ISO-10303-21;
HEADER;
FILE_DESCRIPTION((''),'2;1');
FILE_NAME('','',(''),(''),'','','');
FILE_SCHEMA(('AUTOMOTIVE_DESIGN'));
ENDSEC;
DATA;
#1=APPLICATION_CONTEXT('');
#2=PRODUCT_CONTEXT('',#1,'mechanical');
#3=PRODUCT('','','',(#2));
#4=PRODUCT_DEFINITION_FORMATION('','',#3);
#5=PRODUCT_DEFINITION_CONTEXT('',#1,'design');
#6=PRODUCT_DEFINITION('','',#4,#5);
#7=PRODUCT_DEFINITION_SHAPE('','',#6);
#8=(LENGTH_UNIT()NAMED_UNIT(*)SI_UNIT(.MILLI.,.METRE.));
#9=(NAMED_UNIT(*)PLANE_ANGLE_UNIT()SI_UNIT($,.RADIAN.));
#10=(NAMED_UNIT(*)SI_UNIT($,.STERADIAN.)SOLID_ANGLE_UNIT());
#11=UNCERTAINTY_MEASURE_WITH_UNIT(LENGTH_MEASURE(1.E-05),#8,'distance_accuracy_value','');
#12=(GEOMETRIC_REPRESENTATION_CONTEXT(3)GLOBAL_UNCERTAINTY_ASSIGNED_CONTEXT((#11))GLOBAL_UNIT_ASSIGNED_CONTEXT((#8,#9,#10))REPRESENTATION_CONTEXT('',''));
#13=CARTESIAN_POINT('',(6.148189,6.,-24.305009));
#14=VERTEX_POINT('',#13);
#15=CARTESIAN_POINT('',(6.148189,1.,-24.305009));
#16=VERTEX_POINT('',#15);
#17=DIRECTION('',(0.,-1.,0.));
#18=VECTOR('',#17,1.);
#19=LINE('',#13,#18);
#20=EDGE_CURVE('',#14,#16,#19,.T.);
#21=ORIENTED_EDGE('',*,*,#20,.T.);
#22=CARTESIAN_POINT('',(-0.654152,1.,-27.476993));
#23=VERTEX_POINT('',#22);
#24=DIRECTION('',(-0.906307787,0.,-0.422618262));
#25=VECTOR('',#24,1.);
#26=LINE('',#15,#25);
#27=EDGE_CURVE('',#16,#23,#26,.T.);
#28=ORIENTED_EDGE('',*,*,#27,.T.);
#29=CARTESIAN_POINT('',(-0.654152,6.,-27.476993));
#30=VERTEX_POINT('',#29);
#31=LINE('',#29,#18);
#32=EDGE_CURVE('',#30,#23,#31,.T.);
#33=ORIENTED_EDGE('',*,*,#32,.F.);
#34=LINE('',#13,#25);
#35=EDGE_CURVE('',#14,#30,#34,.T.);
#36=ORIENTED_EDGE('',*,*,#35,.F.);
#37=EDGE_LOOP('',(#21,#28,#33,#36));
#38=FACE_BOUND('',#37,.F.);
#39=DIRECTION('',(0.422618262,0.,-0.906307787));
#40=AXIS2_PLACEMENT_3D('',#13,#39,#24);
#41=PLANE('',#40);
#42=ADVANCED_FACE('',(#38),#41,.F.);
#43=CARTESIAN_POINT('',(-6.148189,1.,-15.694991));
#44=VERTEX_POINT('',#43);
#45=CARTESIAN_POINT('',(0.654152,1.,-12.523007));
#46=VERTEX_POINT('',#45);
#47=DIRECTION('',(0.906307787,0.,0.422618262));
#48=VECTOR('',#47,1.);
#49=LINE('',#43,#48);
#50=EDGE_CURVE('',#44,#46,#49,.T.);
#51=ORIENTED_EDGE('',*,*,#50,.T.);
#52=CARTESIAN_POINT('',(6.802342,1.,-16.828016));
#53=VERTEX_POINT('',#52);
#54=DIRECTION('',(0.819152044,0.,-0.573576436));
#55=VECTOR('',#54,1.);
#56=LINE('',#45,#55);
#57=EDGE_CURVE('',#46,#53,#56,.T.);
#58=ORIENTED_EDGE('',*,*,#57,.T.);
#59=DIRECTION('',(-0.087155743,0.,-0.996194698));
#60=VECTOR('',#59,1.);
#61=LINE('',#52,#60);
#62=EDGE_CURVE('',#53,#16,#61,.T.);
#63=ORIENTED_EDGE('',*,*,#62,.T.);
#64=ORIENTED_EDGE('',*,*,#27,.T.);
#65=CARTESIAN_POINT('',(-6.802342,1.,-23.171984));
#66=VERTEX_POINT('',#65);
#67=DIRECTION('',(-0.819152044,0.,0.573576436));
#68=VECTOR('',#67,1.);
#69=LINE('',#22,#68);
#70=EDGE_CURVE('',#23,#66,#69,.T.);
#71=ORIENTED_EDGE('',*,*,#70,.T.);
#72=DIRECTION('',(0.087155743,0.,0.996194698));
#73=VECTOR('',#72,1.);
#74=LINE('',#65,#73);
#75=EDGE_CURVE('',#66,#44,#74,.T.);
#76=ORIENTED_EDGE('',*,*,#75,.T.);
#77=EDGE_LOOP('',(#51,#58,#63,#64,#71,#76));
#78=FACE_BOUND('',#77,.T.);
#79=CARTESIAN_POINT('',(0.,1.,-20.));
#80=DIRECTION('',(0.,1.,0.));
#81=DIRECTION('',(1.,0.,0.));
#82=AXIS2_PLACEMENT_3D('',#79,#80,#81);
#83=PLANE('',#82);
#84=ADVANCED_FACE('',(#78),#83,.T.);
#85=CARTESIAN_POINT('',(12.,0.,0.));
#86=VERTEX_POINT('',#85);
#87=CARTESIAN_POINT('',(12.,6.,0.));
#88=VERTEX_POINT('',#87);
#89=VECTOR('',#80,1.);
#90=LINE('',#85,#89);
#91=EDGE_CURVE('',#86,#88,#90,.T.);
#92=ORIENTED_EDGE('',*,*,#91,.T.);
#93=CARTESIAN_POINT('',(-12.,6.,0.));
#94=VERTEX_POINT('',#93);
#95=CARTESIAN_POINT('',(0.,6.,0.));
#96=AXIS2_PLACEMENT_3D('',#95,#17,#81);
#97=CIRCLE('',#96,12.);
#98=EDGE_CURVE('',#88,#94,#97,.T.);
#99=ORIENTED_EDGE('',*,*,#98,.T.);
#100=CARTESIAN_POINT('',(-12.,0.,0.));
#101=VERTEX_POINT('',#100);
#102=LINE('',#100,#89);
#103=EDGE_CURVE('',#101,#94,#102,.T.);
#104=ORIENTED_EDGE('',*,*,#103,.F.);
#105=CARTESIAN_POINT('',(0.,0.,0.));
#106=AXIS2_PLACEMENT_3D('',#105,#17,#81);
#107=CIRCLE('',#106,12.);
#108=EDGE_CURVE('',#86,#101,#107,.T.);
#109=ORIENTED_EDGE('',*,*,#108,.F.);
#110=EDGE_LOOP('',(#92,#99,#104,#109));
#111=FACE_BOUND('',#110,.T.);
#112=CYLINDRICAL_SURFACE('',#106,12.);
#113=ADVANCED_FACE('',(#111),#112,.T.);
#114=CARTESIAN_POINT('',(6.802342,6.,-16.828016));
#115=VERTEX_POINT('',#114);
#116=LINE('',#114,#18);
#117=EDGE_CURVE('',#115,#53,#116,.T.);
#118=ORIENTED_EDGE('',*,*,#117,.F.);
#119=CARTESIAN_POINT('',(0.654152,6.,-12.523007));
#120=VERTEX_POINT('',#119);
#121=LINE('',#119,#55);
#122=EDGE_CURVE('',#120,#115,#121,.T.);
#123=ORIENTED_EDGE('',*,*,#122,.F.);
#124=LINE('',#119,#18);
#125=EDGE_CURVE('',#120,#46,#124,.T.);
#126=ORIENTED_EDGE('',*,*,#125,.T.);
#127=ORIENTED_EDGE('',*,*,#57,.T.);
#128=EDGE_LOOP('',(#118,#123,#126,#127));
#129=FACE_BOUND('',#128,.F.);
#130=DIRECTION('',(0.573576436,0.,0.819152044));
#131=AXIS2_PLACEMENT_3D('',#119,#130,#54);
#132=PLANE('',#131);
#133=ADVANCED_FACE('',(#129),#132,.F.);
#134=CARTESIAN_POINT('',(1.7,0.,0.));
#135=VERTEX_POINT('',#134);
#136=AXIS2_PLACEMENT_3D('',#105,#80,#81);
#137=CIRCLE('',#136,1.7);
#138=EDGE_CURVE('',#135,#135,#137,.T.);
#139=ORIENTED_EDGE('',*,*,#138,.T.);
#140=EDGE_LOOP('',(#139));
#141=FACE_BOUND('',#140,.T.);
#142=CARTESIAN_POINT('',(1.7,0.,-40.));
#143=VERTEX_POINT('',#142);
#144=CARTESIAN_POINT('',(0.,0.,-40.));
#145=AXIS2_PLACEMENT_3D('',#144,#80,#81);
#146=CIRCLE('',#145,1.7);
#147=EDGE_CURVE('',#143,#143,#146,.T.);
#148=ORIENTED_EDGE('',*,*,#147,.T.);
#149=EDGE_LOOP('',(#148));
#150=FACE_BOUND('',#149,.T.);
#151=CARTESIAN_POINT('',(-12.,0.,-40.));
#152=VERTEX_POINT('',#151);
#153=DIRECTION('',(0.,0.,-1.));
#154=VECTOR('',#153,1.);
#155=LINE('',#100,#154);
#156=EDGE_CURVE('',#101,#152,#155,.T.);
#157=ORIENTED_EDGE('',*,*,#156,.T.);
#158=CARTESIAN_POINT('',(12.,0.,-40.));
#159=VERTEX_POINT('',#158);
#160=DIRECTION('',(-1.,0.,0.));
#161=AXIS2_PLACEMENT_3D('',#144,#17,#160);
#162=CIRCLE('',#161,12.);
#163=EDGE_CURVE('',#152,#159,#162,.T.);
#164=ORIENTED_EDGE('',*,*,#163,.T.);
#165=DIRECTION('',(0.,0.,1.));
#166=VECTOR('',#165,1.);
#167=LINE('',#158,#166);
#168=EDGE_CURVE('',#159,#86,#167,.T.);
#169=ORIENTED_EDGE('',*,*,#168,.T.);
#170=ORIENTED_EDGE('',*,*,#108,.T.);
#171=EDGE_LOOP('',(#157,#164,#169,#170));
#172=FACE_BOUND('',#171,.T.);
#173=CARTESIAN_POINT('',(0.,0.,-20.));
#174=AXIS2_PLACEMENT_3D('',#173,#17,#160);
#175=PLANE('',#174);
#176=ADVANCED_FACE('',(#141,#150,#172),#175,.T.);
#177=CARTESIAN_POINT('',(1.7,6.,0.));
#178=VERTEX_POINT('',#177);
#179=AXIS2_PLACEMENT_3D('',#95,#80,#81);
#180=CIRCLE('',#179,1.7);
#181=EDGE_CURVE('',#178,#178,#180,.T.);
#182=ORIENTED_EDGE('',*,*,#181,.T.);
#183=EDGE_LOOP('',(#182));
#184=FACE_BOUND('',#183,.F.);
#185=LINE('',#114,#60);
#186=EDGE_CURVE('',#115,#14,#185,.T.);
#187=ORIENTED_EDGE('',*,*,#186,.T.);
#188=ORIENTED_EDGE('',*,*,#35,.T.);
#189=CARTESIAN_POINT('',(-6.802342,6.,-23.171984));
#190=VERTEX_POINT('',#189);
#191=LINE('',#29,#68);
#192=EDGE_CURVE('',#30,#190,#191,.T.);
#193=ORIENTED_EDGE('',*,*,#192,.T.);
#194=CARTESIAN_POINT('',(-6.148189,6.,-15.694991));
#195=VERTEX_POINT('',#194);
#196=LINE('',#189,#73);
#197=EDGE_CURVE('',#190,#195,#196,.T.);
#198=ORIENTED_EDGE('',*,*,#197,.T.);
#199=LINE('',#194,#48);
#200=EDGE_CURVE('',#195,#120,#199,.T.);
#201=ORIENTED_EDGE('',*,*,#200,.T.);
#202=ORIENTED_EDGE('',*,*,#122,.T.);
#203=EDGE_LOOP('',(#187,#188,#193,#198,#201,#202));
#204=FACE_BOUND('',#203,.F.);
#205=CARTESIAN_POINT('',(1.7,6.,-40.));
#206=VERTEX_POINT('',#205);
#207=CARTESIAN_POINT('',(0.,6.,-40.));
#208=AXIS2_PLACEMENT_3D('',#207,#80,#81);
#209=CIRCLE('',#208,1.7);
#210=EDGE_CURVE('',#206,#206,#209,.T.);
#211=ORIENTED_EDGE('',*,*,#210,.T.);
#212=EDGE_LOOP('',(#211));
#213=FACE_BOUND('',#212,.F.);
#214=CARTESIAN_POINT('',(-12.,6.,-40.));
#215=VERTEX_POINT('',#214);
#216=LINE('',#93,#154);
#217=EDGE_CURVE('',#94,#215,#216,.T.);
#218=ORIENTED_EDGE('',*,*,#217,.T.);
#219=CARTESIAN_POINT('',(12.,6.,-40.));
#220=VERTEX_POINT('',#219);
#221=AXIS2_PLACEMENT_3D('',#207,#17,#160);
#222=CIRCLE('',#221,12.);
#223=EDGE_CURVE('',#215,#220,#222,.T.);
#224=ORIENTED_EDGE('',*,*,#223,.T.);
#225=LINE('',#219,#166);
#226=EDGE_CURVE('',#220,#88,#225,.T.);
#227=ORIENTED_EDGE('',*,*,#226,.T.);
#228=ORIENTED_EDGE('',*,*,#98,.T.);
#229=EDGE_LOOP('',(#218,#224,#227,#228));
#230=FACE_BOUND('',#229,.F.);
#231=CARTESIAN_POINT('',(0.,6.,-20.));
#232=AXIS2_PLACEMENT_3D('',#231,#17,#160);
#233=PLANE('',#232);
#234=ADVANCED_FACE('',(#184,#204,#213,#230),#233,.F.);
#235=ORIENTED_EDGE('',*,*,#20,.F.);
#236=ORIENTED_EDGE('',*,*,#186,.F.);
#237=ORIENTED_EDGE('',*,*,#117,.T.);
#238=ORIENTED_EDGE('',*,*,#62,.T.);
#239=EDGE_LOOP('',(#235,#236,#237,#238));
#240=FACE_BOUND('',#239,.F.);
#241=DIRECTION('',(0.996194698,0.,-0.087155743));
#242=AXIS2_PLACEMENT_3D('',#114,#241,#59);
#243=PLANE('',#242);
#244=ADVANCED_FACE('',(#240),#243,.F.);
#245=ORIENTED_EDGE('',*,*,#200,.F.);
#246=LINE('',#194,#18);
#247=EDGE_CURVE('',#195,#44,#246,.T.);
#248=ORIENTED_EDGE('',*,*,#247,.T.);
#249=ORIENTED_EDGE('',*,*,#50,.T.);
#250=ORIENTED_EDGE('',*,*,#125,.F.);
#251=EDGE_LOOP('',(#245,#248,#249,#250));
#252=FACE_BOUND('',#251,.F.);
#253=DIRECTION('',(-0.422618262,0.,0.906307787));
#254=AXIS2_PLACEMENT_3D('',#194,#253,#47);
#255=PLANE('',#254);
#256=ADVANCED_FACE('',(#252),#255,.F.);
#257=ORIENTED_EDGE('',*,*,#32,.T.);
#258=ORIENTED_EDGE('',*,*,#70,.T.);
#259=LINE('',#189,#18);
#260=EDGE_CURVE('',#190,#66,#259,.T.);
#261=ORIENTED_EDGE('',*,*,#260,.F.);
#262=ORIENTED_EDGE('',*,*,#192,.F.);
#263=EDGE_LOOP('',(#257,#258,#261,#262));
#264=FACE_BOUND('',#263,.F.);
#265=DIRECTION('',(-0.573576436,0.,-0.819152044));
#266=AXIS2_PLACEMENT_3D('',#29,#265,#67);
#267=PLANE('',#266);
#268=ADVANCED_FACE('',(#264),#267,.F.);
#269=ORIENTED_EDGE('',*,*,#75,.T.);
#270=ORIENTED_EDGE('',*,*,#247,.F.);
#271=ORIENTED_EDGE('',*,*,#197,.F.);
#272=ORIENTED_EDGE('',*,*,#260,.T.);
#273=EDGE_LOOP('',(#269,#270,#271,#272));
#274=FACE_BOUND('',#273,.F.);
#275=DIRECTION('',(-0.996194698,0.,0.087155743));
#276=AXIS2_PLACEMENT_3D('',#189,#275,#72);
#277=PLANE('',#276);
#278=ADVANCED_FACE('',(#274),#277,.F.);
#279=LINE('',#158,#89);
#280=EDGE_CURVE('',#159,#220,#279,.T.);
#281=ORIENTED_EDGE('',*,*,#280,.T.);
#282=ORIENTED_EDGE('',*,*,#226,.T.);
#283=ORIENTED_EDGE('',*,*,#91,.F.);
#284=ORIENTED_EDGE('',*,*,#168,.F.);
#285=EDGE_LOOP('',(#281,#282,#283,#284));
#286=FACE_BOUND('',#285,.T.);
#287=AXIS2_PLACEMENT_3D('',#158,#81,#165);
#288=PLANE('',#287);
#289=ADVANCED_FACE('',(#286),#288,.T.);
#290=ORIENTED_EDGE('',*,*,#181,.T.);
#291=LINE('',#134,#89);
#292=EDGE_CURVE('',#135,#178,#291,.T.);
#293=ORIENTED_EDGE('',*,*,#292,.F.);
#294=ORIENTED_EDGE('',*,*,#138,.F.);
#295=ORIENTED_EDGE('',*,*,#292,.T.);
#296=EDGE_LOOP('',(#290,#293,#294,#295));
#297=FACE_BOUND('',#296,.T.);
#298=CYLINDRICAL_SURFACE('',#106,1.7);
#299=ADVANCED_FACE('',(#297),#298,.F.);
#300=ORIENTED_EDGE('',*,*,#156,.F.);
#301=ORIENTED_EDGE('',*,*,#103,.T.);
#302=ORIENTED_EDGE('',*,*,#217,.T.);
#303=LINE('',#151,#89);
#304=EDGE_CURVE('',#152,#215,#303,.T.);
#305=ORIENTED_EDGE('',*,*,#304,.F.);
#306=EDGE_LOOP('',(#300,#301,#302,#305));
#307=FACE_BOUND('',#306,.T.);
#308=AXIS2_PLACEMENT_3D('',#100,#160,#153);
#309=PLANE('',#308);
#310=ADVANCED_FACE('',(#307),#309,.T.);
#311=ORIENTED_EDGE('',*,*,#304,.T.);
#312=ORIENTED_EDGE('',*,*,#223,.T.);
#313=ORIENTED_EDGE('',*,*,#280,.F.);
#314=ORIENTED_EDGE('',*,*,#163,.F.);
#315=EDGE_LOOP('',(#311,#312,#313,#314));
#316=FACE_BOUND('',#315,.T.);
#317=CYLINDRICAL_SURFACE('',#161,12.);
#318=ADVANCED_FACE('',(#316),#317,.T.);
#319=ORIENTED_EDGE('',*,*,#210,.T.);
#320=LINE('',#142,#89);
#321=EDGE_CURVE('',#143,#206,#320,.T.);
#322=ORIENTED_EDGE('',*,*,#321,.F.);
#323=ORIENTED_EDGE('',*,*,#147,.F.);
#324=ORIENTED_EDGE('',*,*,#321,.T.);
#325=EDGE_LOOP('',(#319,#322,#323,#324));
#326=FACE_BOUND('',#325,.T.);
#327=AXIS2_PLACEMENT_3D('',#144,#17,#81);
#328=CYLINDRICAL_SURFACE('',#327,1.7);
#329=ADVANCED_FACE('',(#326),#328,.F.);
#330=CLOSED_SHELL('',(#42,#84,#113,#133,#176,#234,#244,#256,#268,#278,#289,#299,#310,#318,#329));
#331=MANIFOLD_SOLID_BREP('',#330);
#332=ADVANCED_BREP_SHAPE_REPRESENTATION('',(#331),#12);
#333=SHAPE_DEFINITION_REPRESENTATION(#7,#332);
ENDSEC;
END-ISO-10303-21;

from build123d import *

# Parameters (mm, degrees)
SKETCH1_R           = 1.7
BOSS_EXTRUDE1_DEPTH = 6
CUT_EXTRUDE1_DEPTH  = 5


with BuildPart() as part:
    # Sketch1 → Boss-Extrude1 (new body)
    with BuildSketch(Plane(origin=(0, 0, 0), x_dir=(1, 0, 0), z_dir=(0, 1, 0))):
        with BuildLine():
            Line((-12, 0), (-12, 40))
            ThreePointArc((-12, 40), (0, 52), (12, 40))
            Line((12, 40), (12, 0))
            ThreePointArc((12, 0), (0, -12), (-12, 0))
        make_face()
        with Locations((0, 40)):
            Circle(SKETCH1_R, mode=Mode.SUBTRACT)
        Circle(SKETCH1_R, mode=Mode.SUBTRACT)
    extrude(amount=BOSS_EXTRUDE1_DEPTH)

    # Sketch2 → Cut-Extrude1 (cut)
    with BuildSketch(Plane(origin=(0, 6, 0), x_dir=(1, 0, 0), z_dir=(0, 1, 0))):
        Polygon((0.65415209, 12.523007398), (6.802341583, 16.828016027), (6.148189493, 24.305008629), (-0.65415209, 27.476992602), (-6.802341583, 23.171983973), (-6.148189493, 15.694991371), align=None)
    extrude(amount=-CUT_EXTRUDE1_DEPTH, mode=Mode.SUBTRACT)


solid = part.part
